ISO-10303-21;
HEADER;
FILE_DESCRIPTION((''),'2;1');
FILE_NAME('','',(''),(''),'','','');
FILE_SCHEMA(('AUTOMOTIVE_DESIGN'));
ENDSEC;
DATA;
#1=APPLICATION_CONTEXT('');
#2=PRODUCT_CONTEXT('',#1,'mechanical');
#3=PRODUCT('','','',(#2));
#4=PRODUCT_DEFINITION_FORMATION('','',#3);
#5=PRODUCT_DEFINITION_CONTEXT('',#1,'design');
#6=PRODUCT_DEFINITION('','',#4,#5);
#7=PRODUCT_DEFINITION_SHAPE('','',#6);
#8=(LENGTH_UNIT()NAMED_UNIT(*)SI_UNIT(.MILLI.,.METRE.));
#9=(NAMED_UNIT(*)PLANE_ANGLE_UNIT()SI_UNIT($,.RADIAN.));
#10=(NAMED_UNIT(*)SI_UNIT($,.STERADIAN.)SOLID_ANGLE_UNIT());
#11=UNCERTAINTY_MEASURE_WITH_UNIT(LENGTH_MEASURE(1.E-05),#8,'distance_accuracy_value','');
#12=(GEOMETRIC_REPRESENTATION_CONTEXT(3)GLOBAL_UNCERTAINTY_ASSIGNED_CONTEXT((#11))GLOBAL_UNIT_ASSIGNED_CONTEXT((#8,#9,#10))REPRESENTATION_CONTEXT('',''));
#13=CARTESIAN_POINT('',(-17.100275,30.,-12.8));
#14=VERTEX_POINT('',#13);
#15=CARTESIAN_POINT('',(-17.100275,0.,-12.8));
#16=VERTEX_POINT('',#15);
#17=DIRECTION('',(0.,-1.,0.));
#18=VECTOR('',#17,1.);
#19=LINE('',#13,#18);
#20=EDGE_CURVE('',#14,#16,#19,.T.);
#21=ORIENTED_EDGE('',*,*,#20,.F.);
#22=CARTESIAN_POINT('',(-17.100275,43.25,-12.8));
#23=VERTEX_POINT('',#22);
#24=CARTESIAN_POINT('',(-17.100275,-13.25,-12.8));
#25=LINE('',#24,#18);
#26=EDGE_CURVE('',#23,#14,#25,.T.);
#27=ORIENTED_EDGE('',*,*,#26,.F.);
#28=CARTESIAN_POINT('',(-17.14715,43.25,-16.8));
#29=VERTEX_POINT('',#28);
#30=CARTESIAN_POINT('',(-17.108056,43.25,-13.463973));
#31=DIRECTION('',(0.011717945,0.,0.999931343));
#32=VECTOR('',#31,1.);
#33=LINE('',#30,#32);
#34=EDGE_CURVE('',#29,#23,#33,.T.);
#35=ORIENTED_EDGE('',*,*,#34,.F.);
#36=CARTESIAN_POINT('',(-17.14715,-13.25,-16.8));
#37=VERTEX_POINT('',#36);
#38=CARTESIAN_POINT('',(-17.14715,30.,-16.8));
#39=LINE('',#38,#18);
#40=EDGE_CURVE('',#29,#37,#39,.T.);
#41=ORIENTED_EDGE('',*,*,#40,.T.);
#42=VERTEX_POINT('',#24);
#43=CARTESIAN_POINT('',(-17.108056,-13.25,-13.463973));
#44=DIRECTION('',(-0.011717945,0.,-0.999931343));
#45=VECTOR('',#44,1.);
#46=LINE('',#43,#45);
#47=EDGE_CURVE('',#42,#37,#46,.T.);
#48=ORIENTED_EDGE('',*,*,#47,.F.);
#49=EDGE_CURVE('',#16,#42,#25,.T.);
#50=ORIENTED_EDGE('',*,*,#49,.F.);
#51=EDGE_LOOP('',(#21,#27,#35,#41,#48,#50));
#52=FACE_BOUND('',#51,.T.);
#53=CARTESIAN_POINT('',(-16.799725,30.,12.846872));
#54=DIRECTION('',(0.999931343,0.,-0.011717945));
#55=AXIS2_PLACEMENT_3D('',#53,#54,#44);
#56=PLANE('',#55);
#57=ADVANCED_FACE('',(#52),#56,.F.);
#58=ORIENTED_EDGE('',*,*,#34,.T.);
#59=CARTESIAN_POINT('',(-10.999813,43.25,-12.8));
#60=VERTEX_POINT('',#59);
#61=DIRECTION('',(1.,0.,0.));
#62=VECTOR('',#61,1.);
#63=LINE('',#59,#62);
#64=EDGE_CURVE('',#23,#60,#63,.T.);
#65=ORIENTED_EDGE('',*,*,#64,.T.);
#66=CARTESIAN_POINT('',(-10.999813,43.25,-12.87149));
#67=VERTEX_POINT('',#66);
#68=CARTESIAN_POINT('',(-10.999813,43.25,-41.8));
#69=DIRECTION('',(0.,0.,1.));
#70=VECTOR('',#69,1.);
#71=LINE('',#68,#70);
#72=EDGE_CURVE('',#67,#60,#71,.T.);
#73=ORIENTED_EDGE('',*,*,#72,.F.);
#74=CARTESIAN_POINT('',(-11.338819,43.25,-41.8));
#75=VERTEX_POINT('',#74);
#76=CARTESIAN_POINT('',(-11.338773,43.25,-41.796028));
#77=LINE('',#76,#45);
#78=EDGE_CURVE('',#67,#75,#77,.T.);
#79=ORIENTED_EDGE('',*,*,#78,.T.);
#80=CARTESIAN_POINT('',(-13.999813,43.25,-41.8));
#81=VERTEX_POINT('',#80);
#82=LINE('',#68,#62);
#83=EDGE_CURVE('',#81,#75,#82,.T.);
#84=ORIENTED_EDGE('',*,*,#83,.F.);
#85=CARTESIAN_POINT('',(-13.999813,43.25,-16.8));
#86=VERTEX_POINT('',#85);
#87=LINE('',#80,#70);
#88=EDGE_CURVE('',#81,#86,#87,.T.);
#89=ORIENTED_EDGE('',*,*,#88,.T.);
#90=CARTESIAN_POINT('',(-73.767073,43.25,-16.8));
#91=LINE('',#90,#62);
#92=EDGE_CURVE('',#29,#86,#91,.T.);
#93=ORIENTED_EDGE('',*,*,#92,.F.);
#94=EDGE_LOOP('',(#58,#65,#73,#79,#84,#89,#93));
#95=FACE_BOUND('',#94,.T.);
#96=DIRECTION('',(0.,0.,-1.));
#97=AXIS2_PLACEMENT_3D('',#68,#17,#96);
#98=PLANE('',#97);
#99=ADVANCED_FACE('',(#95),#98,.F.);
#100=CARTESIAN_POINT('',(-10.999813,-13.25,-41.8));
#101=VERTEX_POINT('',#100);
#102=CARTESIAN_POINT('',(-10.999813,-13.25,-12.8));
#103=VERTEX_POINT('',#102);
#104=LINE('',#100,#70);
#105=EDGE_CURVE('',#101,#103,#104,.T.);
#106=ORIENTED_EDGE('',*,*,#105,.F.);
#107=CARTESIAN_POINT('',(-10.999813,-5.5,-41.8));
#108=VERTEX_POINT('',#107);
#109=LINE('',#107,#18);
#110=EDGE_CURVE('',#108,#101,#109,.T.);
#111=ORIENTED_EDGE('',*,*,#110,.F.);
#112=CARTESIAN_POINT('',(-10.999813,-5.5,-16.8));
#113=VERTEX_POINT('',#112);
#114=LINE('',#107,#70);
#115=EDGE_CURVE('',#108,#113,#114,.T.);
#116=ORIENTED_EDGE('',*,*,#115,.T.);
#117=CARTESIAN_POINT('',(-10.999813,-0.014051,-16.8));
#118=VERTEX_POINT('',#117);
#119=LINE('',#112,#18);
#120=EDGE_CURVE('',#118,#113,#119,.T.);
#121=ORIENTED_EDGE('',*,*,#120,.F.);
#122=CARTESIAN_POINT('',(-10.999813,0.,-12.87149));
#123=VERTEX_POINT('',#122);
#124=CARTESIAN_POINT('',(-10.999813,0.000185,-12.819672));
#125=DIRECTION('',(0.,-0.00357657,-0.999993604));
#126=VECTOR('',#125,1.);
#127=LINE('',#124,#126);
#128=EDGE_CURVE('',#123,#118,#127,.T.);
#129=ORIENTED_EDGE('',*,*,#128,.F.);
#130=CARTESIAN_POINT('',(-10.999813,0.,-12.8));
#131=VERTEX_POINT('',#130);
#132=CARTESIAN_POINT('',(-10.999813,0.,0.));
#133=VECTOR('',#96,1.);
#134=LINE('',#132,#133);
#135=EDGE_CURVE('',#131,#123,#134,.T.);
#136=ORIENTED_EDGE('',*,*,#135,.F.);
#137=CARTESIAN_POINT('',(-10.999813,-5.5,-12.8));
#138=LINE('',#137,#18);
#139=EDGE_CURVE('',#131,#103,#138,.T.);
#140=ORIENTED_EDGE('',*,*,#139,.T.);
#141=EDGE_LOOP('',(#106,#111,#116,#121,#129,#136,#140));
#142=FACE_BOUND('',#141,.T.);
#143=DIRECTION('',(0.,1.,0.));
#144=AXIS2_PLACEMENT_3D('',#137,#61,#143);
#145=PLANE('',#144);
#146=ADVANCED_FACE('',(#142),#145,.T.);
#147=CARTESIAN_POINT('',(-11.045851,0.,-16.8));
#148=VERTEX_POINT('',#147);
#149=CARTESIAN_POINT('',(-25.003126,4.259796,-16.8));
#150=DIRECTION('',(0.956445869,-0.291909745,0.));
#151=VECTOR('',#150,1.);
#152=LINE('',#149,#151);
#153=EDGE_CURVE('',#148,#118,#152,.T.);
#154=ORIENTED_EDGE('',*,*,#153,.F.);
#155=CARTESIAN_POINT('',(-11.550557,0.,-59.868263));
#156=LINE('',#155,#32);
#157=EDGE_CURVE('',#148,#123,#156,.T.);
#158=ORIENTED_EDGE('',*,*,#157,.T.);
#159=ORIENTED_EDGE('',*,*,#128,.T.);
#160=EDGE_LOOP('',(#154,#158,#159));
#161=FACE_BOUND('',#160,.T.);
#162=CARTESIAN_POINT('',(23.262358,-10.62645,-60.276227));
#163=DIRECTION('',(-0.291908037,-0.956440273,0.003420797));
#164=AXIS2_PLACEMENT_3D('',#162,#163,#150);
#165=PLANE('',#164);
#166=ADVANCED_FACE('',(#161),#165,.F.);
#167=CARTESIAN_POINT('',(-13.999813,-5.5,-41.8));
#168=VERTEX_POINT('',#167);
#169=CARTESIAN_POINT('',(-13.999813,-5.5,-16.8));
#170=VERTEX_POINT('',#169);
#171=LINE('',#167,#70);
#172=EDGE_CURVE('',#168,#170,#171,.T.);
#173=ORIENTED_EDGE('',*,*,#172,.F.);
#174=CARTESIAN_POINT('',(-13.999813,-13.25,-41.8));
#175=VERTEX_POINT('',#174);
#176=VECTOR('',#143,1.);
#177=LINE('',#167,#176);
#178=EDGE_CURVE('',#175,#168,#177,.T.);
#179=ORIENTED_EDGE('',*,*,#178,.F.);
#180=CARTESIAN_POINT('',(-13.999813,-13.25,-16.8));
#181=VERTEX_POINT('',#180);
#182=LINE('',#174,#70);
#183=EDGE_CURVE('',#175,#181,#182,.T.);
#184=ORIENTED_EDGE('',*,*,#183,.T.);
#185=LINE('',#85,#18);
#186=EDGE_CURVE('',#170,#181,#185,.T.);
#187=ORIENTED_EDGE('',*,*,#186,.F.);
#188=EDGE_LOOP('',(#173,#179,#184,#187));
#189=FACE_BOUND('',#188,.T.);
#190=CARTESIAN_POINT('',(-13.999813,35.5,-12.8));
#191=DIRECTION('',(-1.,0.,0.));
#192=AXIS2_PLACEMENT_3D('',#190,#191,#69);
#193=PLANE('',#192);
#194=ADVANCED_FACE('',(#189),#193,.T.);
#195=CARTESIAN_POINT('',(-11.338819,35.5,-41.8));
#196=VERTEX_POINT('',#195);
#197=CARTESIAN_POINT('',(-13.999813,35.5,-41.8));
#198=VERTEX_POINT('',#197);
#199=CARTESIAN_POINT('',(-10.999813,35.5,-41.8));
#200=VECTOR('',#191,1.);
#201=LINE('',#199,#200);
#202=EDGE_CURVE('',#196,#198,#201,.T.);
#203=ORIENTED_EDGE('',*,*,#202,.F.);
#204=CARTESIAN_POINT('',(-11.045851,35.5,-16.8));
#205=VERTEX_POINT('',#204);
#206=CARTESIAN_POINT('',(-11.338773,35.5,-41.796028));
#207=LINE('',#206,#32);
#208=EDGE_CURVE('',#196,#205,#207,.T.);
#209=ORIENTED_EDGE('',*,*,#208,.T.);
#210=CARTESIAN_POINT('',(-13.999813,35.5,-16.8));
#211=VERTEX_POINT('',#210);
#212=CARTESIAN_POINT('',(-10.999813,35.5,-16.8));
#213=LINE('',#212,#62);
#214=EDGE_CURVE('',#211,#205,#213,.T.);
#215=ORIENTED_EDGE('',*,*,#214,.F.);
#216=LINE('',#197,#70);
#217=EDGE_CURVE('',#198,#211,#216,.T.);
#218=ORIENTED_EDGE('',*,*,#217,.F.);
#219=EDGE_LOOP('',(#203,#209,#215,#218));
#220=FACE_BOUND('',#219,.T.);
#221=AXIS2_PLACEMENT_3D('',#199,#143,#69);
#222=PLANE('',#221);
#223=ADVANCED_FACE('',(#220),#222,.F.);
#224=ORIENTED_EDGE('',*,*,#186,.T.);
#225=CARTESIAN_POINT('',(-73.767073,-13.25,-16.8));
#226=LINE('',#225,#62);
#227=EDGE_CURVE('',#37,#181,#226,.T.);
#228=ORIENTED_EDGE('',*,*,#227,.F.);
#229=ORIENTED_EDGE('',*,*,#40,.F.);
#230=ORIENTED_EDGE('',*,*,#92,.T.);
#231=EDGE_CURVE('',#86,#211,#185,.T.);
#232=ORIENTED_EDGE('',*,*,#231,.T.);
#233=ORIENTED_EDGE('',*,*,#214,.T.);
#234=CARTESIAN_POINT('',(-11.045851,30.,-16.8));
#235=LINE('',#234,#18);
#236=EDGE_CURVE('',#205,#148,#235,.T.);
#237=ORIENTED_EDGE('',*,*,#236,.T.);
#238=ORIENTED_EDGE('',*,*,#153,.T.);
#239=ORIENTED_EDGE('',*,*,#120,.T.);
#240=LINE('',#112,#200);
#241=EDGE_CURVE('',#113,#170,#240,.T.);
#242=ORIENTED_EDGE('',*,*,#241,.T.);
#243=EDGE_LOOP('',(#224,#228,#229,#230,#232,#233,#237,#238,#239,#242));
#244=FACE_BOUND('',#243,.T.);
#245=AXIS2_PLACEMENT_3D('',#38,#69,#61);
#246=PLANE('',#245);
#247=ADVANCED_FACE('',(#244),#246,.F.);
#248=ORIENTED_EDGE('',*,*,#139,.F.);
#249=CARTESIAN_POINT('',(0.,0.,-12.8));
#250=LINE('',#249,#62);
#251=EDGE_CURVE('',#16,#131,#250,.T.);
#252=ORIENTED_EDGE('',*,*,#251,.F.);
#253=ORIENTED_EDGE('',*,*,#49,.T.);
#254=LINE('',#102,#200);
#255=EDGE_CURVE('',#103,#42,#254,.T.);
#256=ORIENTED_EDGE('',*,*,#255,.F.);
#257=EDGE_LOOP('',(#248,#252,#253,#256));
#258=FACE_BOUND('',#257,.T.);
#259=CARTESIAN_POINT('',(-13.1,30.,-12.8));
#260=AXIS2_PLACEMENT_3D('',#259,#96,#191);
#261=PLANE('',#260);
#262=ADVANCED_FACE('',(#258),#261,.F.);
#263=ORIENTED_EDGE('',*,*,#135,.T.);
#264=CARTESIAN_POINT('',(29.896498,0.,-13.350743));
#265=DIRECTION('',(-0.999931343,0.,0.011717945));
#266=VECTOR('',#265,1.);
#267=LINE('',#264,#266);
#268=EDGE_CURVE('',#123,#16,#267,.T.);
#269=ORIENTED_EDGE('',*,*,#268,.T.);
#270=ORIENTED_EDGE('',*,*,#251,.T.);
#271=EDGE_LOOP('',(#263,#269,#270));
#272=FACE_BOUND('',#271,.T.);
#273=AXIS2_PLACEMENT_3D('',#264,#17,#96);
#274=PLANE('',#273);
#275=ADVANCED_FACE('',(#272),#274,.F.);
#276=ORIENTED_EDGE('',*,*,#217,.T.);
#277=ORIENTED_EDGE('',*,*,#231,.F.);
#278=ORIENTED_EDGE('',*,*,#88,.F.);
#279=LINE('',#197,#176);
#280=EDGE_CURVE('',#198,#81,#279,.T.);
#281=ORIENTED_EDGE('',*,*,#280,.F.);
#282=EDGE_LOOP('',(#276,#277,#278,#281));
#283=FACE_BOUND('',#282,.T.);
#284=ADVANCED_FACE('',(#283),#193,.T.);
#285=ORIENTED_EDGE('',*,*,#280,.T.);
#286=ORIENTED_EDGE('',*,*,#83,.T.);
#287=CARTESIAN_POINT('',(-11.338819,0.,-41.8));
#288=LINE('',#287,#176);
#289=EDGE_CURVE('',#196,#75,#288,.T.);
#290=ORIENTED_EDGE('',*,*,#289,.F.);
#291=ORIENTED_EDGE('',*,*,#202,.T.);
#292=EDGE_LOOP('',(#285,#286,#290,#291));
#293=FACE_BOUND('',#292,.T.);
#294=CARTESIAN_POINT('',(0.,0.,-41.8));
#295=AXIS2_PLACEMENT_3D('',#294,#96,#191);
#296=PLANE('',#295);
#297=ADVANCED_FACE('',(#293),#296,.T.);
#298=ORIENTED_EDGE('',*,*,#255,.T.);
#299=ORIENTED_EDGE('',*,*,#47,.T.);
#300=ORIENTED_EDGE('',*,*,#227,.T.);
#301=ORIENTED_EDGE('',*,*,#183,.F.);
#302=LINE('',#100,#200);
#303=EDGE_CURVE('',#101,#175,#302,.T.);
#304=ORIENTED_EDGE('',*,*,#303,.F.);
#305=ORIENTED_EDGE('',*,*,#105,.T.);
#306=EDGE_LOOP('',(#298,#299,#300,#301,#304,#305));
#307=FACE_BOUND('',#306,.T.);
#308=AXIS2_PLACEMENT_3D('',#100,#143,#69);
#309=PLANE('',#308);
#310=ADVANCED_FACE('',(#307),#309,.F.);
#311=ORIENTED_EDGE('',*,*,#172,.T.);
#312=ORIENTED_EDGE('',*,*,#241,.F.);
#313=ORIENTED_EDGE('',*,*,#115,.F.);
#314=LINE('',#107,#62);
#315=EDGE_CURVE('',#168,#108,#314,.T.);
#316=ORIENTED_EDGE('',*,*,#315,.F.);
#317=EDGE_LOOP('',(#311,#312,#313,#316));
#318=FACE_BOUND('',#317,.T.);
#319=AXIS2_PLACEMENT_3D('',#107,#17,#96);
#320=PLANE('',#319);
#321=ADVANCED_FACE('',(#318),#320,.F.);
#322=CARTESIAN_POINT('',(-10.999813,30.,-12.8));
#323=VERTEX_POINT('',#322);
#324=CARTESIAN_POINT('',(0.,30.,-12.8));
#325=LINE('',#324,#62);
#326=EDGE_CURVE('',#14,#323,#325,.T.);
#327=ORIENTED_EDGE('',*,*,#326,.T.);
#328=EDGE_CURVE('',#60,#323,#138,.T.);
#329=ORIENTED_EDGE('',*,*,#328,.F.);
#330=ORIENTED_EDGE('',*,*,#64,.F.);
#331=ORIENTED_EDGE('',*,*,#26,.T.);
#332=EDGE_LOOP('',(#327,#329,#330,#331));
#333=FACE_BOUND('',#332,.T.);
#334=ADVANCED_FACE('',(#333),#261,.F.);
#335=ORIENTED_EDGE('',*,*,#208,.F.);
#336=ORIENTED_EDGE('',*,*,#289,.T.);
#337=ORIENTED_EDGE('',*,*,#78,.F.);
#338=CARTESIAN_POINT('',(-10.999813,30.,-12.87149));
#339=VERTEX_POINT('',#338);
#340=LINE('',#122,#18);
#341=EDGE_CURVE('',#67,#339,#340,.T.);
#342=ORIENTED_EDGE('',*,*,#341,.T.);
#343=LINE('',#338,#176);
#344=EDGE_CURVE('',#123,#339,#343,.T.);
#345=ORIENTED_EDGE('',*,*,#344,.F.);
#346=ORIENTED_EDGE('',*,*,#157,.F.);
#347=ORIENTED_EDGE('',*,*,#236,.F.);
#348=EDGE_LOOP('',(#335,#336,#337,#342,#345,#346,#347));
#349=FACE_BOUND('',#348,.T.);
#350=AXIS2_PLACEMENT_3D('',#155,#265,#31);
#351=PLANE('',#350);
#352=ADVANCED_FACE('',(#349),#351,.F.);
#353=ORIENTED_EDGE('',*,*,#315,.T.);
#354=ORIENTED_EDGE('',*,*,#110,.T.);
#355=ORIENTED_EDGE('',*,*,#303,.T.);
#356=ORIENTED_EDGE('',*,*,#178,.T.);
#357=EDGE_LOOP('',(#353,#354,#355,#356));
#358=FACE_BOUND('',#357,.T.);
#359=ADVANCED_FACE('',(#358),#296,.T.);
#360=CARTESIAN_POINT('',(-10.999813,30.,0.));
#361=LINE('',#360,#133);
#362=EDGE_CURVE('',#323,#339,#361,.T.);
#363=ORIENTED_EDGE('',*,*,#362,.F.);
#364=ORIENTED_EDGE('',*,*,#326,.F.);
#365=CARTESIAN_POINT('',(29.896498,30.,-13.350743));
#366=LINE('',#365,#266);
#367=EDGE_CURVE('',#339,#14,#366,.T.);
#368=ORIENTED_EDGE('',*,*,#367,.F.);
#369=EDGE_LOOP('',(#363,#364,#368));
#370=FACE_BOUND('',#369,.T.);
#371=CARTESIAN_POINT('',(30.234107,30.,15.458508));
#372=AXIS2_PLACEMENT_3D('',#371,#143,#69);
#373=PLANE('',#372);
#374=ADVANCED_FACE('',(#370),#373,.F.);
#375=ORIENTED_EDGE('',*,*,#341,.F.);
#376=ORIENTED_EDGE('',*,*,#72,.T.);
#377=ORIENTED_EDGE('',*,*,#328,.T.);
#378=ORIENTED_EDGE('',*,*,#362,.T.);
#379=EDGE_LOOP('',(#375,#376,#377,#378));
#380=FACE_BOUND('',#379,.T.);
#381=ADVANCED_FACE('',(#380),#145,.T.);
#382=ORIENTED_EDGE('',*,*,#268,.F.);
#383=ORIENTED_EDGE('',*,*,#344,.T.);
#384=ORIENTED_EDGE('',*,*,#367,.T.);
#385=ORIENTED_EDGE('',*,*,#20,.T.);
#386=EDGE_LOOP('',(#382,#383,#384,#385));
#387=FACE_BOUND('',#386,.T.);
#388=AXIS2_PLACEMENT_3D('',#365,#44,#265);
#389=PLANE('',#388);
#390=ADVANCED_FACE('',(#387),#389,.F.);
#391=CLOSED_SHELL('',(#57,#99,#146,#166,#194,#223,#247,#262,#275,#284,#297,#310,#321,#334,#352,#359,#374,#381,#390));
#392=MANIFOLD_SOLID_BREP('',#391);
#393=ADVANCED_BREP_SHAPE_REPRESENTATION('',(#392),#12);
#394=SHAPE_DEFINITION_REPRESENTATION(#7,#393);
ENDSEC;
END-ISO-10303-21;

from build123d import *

# Parameters (mm, degrees)
BOSS_EXTRUDE1_DEPTH      = 30
SKETCH3_R                = 4
CUT_EXTRUDE1_DEPTH       = 40
SKETCH4_W                = 3
SKETCH4_H                = 41
BOSS_EXTRUDE2_DEPTH      = 4
BOSS_EXTRUDE3_DEPTH      = 25
BOSS_EXTRUDE3_DEPTH_BACK = 4
SKETCH5_W                = 3
SKETCH5_H                = 7.75
BOSS_EXTRUDE4_REACH      = 69.734
SKETCH6_W                = 4
SKETCH6_H                = 56.5
CUT_EXTRUDE3_DEPTH       = 47
CUT_EXTRUDE4_DEPTH       = 47


with BuildPart() as part:
    # Sketch1 → Boss-Extrude1 (new body)
    with BuildSketch(Plane(origin=(0, 0, 0), x_dir=(1, 0, 0), z_dir=(0, 1, 0))):
        Polygon((-12.8, -12.8), (-13.1, 12.8), (13.1, 12.8), (12.8, -12.6), (16.799721029, -12.6472408), (17.147523085, 16.8), (-17.147149649, 16.8), (-16.79972537, -12.846871782), align=None)
    extrude(amount=BOSS_EXTRUDE1_DEPTH)

    # Sketch3 → Cut-Extrude1 (cut)
    with BuildSketch(Plane(origin=(16.946733814, 0, 0.200158273), x_dir=(0.011810199887684227, 0, -0.9999302571572745), z_dir=(0.9999302571572745, 0, 0.011810199887684227))):
        with Locations(Location((-0.747950682, 15, 0), (0, 0, 180))):
            Circle(SKETCH3_R)
    extrude(amount=-CUT_EXTRUDE1_DEPTH, mode=Mode.SUBTRACT)

    # Sketch4 → Boss-Extrude2 (add)
    with BuildSketch(Plane(origin=(0, 0, -16.8), x_dir=(-1, 0, 0), z_dir=(0, 0, -1))):
        with Locations((12.499813282, 15)):
            Rectangle(SKETCH4_W, SKETCH4_H)
    extrude(amount=-BOSS_EXTRUDE2_DEPTH)

    # Sketch5 → Boss-Extrude3 (add, two sides: drawn at the far end of the back side and taken through both)
    with BuildSketch(Plane(origin=(0, 0, -16.8), x_dir=(-1, 0, 0), z_dir=(0, 0, -1)).offset(-BOSS_EXTRUDE3_DEPTH_BACK)):
        with Locations((12.499813282, 39.375)):
            Rectangle(SKETCH5_W, SKETCH5_H)
        with Locations((12.499813282, -9.375)):
            Rectangle(SKETCH5_W, SKETCH5_H)
    extrude(amount=BOSS_EXTRUDE3_DEPTH + BOSS_EXTRUDE3_DEPTH_BACK)

    # Boss-Extrude4: up to this plane
    boss_extrude4_end = Plane(origin=(-16.79972537, 30, 12.846871782), z_dir=(0.9999313425206403, 0, -0.01171794542016394))
    # Sketch6 → Boss-Extrude4 (add, up to the surface)
    with BuildSketch(Plane.ZY.offset(13.999813282), mode=Mode.PRIVATE) as boss_extrude4_sk1:
        with Locations((-14.8, 15)):
            Rectangle(SKETCH6_W, SKETCH6_H)
    boss_extrude4_tool1 = split(extrude(boss_extrude4_sk1.sketch, amount=BOSS_EXTRUDE4_REACH, mode=Mode.PRIVATE), bisect_by=boss_extrude4_end, keep=Keep.BOTH, mode=Mode.PRIVATE)
    add(boss_extrude4_tool1.solids().sort_by_distance((-13.999813, 15, -14.8))[0])

    # Sketch7 → Cut-Extrude3 (cut)
    with BuildSketch(Plane(origin=(-16.947947202, 0, 0.198608756), x_dir=(0.01171794542016394, 0, 0.9999313425206403), z_dir=(-0.9999313425206403, 0, 0.01171794542016394))):
        Polygon((15.81172836, 30), (-12.999501269, 30), (-12.999501269, 0), (19.011921217, 0), align=None)
    extrude(amount=-CUT_EXTRUDE3_DEPTH, mode=Mode.SUBTRACT)

    # Sketch8 → Cut-Extrude4 (cut)
    with BuildSketch(Plane(origin=(-0.152327446, 0, -12.998608756), x_dir=(0.9999313425206403, 0, -0.011717945420163944), z_dir=(0.011717945420163944, 0, 0.9999313425206403))):
        Polygon((-10.848230648, 0), (-10.848230648, 46.508852654), (34.891429073, 42.782410239), (32.959466486, 0), (23.967074224, -10.626450369), align=None)
    extrude(amount=-CUT_EXTRUDE4_DEPTH, mode=Mode.SUBTRACT)


solid = part.part
